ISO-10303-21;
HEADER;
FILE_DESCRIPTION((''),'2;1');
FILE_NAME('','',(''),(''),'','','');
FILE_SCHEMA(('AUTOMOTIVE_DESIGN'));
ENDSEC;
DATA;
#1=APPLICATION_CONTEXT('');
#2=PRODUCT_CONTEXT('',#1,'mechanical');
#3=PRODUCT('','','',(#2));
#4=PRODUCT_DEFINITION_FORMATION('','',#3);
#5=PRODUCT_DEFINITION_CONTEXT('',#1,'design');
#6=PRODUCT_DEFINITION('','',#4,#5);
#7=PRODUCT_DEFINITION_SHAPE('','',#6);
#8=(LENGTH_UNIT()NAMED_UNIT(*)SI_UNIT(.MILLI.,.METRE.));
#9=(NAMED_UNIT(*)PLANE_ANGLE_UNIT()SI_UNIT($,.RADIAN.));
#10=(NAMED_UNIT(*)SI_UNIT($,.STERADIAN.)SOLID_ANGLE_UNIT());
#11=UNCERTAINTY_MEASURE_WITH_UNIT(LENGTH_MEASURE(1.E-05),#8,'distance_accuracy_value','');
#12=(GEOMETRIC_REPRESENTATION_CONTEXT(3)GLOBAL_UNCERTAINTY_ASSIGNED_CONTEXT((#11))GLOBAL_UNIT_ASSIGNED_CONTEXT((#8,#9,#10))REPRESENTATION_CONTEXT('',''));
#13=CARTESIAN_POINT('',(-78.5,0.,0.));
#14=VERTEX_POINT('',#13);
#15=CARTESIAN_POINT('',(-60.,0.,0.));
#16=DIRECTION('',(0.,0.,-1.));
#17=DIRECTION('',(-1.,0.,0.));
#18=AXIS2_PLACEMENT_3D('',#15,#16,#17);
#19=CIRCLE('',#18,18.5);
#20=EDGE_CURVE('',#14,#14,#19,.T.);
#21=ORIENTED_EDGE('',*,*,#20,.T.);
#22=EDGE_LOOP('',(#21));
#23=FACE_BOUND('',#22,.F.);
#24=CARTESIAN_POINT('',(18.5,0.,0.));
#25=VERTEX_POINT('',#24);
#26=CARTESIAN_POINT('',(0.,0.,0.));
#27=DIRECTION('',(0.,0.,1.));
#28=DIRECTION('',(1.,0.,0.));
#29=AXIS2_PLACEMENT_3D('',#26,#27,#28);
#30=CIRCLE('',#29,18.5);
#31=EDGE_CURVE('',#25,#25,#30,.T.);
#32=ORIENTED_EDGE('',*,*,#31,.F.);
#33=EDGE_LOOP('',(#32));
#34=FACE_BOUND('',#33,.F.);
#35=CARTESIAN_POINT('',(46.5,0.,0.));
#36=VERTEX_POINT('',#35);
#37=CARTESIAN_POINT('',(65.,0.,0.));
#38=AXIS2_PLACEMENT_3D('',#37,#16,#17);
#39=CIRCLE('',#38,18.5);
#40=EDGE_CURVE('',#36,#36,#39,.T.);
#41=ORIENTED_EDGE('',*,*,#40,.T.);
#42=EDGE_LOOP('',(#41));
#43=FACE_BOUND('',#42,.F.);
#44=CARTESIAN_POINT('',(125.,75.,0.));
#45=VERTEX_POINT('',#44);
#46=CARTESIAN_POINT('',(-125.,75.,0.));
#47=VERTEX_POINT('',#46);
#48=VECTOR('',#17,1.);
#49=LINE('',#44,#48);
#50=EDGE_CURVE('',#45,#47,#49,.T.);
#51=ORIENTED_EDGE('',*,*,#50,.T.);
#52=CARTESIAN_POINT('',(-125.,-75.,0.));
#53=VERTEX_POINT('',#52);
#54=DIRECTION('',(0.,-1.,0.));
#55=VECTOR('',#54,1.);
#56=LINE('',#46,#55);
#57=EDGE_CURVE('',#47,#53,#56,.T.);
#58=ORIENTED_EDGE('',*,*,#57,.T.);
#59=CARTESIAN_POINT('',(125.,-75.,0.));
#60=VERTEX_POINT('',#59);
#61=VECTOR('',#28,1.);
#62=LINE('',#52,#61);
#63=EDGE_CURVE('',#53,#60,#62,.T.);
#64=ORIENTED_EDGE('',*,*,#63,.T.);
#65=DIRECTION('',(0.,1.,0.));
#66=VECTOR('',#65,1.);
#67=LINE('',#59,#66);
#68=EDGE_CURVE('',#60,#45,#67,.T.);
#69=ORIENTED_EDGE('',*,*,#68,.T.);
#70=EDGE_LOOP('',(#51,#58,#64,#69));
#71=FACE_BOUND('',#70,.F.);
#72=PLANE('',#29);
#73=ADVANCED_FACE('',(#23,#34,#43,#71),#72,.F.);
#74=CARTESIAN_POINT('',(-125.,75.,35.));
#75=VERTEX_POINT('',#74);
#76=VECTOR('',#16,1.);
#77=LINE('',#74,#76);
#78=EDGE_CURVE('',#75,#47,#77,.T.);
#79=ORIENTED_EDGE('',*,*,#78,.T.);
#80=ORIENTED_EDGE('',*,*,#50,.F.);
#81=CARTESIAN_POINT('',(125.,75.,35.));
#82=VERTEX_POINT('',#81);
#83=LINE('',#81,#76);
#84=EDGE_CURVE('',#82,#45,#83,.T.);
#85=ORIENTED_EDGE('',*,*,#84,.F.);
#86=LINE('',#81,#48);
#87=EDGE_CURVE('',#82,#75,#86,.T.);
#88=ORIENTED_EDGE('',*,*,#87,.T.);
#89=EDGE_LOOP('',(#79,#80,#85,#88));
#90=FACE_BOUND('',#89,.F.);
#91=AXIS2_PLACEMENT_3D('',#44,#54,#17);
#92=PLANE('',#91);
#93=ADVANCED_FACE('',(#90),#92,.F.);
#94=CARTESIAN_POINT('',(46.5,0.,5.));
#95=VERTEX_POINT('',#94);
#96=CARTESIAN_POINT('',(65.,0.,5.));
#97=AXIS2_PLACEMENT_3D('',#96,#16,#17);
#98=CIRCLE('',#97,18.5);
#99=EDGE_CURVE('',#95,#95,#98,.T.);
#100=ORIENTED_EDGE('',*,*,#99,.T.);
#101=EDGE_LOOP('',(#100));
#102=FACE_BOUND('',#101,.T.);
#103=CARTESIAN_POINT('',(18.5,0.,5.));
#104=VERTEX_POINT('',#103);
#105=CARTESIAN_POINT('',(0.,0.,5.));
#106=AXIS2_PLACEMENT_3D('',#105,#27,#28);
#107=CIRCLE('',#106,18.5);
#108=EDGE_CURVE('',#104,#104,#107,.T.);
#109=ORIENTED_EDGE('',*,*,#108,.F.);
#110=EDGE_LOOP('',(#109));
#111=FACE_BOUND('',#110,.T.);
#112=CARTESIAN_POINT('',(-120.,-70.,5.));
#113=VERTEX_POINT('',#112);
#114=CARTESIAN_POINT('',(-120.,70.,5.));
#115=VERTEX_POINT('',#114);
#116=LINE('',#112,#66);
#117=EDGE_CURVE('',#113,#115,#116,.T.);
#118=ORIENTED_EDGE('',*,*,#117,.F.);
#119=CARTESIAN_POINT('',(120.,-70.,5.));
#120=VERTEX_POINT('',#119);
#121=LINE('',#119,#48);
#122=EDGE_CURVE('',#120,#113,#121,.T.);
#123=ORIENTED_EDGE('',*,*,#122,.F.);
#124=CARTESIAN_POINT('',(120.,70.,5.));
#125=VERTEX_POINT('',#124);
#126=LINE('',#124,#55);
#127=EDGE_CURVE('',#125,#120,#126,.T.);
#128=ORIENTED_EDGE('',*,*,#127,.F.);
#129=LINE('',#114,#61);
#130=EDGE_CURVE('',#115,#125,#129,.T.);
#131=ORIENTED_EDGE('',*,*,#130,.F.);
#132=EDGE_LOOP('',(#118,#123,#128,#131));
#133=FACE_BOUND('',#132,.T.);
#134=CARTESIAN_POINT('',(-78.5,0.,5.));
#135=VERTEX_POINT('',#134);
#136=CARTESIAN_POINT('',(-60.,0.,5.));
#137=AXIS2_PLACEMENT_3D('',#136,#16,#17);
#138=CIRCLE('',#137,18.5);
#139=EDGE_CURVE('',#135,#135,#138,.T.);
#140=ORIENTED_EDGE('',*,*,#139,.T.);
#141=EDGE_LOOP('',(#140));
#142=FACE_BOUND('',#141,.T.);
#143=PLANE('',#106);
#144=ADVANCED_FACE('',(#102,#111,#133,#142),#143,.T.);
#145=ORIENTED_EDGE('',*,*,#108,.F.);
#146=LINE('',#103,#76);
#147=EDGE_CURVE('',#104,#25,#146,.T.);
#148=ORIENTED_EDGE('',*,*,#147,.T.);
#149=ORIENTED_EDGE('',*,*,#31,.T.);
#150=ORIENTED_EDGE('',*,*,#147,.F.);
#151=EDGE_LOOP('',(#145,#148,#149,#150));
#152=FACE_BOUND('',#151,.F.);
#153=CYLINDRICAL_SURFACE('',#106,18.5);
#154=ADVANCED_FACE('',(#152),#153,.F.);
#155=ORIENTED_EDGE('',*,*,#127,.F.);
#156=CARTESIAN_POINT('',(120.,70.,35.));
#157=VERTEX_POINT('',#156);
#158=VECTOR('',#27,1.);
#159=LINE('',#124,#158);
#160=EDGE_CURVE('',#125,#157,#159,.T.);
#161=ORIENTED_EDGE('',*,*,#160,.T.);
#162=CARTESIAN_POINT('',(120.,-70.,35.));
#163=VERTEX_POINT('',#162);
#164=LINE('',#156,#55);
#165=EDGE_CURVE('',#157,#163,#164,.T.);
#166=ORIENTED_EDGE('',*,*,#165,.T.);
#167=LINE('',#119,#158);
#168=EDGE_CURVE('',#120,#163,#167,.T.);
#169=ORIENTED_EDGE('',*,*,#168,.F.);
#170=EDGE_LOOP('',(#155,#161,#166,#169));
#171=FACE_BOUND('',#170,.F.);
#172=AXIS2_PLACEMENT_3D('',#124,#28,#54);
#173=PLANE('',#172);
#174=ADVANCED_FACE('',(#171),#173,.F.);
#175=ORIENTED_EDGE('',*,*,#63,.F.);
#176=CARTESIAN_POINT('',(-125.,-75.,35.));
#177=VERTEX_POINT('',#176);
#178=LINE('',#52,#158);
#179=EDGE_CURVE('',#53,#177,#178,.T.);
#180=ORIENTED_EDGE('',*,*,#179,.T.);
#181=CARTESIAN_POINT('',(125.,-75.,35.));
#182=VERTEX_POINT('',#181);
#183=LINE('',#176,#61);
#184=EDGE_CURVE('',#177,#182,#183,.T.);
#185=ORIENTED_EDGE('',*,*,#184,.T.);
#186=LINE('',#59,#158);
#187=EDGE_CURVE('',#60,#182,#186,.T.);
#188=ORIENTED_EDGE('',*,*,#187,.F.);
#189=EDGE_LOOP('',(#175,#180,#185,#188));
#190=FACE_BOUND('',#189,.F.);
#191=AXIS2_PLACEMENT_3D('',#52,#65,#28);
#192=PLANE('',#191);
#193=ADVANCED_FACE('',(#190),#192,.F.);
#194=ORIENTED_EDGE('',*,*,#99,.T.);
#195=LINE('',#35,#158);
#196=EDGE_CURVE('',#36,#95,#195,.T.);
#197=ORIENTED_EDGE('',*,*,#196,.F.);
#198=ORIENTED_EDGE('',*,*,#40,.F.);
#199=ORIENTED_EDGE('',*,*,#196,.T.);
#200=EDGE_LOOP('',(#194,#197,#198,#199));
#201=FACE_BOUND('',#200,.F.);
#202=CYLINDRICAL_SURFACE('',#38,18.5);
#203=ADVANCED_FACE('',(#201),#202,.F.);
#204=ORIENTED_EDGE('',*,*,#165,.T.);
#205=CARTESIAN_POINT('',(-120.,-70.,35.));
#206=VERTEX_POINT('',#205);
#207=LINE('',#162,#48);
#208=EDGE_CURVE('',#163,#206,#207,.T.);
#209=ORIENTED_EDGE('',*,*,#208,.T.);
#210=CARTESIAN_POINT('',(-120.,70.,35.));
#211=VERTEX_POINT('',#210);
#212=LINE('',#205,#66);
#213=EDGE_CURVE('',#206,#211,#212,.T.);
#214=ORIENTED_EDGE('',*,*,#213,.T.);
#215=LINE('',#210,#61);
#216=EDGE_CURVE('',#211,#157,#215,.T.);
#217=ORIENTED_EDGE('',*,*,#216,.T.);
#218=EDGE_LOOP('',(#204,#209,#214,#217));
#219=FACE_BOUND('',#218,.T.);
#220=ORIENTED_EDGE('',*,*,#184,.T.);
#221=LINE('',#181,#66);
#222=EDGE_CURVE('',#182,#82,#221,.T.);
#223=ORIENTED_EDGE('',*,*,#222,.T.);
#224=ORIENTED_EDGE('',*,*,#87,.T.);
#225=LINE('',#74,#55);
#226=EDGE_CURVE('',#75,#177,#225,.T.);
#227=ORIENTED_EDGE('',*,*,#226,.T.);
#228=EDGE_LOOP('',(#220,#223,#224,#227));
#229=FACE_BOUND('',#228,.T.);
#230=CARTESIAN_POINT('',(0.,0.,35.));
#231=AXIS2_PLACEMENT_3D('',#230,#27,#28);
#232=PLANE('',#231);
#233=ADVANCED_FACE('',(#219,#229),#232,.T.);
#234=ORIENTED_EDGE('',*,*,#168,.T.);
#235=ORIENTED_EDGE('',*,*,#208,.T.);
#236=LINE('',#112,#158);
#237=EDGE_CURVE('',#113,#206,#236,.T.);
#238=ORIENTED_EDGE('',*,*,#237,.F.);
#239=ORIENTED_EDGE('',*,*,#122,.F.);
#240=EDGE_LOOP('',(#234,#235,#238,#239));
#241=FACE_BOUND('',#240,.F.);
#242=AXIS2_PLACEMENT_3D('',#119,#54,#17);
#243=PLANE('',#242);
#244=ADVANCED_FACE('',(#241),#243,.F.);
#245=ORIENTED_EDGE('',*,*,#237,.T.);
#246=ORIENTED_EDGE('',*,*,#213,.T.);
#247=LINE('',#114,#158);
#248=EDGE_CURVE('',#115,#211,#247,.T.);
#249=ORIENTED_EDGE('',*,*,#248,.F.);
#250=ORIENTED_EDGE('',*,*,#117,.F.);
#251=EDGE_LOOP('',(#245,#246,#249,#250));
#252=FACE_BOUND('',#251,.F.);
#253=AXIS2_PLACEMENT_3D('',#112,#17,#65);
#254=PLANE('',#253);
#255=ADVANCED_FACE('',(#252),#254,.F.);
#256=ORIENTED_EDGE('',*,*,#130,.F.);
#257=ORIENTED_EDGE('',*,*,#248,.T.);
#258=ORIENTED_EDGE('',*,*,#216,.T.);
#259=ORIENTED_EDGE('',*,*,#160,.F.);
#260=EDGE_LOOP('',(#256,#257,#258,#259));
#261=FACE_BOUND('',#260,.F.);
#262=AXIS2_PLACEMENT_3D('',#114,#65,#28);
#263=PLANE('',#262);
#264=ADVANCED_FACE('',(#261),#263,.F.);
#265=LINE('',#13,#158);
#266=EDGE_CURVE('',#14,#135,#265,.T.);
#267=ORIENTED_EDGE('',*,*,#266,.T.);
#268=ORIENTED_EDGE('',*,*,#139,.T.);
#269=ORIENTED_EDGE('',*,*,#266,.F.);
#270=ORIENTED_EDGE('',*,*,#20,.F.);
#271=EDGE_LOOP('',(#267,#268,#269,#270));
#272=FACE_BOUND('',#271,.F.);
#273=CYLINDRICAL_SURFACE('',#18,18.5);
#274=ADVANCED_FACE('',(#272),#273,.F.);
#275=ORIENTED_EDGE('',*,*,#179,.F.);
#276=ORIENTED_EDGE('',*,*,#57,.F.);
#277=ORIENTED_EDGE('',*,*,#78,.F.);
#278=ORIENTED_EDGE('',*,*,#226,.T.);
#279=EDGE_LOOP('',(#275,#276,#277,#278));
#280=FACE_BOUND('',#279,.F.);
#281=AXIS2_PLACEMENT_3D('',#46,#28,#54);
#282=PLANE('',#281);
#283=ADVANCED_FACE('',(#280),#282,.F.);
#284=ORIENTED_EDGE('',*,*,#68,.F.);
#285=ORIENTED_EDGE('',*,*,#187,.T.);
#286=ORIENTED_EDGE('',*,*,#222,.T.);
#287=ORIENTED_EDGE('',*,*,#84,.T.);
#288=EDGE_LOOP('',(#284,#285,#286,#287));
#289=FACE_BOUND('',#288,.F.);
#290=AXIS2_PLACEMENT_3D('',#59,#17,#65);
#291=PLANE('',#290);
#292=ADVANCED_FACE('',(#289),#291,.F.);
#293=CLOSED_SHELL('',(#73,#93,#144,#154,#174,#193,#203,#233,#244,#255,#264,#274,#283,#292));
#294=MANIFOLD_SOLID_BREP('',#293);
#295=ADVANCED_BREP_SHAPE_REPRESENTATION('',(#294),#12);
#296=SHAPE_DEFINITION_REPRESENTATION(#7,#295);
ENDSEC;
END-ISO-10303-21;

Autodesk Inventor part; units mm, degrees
ref_plane "YZ Plane" through (0, 0, 0) normal (1, 0, 0) x (0, 1, 0)
ref_plane "XZ Plane" through (0, 0, 0) normal (0, 1, 0) x (-1, 0, 0)
ref_plane "XY Plane" through (0, 0, 0) normal (0, 0, 1) x (1, 0, 0)
sketch "Sketch1" plane through (0, 0, 0) normal (0, 0, 1) x (1, 0, 0)
  line L0 (-125, -75) -> (125, -75)
  line L1 (125, -75) -> (125, 75)
  line L2 (125, 75) -> (-125, 75)
  line L3 (-125, 75) -> (-125, -75)
  line L4 (-125, -75) -> (125, 75) construction
  line L5 (125, -75) -> (-125, 75) construction
  point P0 (0, 0)
  dimension "d0" = 250
  dimension "d1" = 150
extrude "Extrusion1" add sketch "Sketch1" along normal blind 5
sketch "Sketch2" plane through (0, 0, 5) normal (0, 0, 1) x (1, 0, 0)
  line L0 (125, -75) -> (125, 75) projected
  line L1 (125, 75) -> (-125, 75) projected
  line L2 (-125, 75) -> (-125, -75) projected
  line L3 (-125, -75) -> (125, -75) projected
  line L4 (-120, 70) -> (120, 70)
  line L5 (120, 70) -> (120, -70)
  line L6 (120, -70) -> (-120, -70)
  line L7 (-120, -70) -> (-120, 70)
  point P0 (0, 0)
  dimension "d4" = 5
extrude "Extrusion2" add sketch "Sketch2" along normal blind 30
sketch "Sketch3" plane through (0, 0, 5) normal (0, 0, 1) x (1, 0, 0)
  line L0 (-120, 70) -> (-120, -70) projected
  line L1 (-120, -70) -> (120, -70) projected
  line L2 (120, -70) -> (120, 70) projected
  line L3 (120, 70) -> (-120, 70) projected
  circle A0 centre (0, 0) radius 18.5
  dimension "d8" = 37
extrude "Extrusion3" cut sketch "Sketch3" against normal through all contours A0
sketch "Sketch4" plane through (0, 0, 0) normal (0, 0, -1) x (-1, 0, 0)
  circle A0 centre (-65, 0) radius 18.5
  circle A1 centre (60, 0) radius 18.5
  line L0 (125, 75) -> (125, -75) projected
  line L1 (-125, -75) -> (-125, 75) projected
  line L2 (125, -75) -> (-125, -75) projected
  point P0 (0, 0)
  dimension "d15" = 37
  dimension "d16" = 37
  dimension "d17" = 125
  dimension "d18" = 65
  dimension "d19" = 60
  dimension "d20" = 75
extrude "Extrusion4" cut sketch "Sketch4" against normal through all
sketch "Sketch5" plane through (0, 0, 0) normal (0, 0, -1) x (-1, 0, 0)
  point P0 (0, 0)
properties part number "casing"
